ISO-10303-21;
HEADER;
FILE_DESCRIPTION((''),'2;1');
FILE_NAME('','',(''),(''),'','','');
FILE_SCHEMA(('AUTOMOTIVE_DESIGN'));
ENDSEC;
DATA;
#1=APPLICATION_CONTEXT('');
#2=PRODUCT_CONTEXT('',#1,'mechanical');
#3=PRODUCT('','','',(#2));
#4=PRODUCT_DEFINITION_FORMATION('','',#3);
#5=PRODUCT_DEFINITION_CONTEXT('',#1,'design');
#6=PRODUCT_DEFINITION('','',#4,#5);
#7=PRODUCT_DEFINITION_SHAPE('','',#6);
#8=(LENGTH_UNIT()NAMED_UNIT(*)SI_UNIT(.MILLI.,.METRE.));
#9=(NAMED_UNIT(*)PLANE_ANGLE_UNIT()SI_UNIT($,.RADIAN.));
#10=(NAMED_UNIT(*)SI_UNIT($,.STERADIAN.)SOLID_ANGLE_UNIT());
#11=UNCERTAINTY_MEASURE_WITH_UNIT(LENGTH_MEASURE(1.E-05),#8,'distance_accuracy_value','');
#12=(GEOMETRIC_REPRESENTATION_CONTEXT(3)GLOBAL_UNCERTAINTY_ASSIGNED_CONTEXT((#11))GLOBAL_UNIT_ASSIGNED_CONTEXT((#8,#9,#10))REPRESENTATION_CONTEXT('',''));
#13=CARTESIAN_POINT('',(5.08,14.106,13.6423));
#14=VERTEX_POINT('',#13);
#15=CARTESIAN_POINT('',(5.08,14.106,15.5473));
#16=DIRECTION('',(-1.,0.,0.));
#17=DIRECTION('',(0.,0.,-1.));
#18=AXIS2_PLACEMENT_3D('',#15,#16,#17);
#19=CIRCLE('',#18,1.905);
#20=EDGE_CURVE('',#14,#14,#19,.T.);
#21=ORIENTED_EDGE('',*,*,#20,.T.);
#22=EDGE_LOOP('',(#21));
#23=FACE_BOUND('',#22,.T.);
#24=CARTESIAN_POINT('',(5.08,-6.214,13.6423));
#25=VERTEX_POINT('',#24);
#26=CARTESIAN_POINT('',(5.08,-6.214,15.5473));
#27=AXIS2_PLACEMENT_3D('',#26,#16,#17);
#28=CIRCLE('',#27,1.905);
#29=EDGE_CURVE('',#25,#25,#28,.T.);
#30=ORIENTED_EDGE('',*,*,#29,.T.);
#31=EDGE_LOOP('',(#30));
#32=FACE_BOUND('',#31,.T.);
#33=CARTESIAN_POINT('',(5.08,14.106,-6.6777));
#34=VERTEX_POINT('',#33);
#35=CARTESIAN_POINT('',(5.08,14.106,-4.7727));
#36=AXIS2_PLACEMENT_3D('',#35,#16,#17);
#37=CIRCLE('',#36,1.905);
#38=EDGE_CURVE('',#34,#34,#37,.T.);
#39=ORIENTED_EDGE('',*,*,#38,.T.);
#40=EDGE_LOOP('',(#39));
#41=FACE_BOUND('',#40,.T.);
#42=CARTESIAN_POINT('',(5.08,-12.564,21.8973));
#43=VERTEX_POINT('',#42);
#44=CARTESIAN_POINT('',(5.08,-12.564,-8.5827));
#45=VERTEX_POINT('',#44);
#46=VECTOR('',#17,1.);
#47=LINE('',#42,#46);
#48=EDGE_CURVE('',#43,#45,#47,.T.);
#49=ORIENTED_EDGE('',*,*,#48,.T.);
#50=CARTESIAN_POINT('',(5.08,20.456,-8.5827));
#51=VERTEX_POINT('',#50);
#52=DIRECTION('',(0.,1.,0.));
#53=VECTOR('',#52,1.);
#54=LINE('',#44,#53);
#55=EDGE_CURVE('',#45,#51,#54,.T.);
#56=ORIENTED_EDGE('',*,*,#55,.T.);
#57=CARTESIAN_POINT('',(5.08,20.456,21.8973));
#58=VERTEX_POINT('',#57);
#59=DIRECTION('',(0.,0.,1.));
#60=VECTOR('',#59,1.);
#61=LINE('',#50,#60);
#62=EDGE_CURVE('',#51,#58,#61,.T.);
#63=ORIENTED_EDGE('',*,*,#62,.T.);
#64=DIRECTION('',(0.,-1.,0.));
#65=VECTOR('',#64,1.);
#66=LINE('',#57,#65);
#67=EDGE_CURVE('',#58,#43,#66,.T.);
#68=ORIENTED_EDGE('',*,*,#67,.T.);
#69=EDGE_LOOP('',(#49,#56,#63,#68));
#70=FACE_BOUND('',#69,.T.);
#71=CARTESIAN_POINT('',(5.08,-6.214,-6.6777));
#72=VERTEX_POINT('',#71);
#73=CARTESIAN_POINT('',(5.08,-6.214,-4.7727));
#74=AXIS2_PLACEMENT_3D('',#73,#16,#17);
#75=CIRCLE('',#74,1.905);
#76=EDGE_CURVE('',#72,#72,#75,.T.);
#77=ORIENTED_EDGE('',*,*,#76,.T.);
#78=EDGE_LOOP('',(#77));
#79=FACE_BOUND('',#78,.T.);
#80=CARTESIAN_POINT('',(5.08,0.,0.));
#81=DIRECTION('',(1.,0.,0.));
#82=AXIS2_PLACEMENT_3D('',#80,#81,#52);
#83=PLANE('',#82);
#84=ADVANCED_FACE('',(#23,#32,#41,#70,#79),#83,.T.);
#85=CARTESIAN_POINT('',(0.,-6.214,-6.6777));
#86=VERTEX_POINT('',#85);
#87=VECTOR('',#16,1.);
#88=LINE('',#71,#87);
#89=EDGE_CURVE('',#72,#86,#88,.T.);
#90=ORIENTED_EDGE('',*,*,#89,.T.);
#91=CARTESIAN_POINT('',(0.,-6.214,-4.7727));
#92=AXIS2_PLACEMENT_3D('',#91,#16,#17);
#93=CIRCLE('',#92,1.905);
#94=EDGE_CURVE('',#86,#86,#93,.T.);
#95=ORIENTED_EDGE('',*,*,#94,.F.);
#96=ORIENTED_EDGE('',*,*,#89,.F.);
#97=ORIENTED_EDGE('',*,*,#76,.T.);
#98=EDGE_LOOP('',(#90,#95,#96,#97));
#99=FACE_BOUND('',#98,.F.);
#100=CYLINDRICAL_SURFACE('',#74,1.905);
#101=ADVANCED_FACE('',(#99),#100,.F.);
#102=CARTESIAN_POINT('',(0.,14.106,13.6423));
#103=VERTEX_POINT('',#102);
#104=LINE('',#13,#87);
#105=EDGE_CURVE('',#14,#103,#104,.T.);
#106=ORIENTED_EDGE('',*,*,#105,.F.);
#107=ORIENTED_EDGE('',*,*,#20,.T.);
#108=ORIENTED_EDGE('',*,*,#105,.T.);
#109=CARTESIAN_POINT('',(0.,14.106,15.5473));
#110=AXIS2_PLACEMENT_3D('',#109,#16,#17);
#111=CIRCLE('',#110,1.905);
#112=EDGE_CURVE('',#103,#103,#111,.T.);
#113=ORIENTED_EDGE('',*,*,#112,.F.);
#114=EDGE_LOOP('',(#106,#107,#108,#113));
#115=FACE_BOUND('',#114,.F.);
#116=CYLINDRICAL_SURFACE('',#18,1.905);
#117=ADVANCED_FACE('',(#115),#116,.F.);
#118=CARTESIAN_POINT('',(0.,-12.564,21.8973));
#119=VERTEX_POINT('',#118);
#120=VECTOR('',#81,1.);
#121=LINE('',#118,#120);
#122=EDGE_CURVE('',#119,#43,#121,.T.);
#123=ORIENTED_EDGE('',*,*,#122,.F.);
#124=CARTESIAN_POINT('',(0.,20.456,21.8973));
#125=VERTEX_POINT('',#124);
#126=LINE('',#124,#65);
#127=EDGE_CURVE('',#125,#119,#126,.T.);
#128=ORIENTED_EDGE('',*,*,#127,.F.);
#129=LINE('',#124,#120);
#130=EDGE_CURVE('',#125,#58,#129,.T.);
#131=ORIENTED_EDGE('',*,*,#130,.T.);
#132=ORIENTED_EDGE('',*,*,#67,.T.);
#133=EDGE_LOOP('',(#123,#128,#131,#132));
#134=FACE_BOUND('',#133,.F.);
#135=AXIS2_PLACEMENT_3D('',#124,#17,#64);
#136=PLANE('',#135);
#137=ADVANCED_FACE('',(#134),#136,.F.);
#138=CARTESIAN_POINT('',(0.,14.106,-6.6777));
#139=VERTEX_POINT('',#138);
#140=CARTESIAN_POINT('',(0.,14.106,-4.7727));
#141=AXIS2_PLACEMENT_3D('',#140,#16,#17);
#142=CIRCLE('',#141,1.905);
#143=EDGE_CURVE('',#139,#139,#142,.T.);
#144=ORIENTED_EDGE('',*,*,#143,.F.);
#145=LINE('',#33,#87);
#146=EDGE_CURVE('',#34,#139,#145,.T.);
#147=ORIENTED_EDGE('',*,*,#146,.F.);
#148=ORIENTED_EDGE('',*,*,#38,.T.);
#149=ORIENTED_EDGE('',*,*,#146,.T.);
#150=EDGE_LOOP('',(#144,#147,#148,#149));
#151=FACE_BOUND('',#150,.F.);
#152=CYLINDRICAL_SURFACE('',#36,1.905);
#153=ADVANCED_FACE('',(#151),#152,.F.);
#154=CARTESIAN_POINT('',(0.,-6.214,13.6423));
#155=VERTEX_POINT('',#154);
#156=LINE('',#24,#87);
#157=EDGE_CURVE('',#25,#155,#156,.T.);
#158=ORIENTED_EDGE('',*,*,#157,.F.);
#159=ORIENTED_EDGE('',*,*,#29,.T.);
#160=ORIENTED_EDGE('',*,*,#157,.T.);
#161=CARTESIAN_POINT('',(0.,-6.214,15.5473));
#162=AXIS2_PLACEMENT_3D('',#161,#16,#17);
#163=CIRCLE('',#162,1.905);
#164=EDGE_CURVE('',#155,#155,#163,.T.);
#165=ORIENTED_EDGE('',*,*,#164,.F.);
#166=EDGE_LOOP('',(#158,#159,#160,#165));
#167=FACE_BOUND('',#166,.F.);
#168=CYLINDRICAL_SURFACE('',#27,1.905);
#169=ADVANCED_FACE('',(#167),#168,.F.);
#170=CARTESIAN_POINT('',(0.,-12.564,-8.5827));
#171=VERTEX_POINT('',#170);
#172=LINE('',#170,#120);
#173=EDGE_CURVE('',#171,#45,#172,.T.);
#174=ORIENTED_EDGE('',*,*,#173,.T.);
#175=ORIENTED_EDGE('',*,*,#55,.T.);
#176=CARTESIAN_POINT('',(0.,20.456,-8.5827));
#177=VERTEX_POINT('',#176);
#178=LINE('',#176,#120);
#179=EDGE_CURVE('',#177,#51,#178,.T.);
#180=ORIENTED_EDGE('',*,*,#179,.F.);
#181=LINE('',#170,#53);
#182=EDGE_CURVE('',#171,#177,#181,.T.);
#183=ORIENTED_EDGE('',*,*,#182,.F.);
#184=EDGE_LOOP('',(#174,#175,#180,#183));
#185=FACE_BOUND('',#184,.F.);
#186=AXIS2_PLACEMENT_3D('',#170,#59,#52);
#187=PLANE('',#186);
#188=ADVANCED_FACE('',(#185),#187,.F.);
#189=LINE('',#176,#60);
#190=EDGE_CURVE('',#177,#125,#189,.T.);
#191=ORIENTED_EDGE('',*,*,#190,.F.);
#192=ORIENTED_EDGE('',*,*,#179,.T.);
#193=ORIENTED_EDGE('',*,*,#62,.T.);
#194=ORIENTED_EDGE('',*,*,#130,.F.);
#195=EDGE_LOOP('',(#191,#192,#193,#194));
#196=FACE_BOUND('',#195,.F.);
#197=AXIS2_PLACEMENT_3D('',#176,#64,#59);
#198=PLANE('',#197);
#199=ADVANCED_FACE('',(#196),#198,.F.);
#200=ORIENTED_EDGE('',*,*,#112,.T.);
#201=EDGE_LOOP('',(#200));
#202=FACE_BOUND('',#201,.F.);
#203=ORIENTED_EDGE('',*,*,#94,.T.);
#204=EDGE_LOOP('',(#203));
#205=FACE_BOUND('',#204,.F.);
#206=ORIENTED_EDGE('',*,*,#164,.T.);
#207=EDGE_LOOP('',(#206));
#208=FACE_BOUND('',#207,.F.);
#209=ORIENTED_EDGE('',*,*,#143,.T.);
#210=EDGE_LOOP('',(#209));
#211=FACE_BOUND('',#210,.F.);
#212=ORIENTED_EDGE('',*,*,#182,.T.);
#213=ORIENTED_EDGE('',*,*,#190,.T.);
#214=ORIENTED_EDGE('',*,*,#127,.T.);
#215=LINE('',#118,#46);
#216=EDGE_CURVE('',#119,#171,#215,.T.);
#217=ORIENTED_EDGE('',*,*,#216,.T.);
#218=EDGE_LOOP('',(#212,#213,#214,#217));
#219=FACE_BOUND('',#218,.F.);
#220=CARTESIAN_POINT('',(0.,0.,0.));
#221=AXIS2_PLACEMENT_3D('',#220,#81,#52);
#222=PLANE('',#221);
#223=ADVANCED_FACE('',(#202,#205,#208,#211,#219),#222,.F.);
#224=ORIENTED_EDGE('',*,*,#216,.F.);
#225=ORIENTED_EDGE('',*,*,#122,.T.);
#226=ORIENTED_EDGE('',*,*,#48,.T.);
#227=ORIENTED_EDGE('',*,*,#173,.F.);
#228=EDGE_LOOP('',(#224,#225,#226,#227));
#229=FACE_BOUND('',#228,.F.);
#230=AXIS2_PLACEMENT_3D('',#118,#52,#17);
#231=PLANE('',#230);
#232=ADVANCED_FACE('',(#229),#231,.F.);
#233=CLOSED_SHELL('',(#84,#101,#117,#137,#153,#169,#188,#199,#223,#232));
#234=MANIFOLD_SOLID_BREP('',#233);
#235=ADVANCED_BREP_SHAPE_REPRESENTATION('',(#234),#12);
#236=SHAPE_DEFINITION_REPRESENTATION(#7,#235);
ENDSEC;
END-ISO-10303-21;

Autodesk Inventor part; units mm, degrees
ref_plane "YZ Plane" through (0, 0, 0) normal (1, 0, 0) x (0, 1, 0)
ref_plane "XZ Plane" through (0, 0, 0) normal (0, 1, 0) x (-1, 0, 0)
ref_plane "XY Plane" through (0, 0, 0) normal (0, 0, 1) x (1, 0, 0)
sketch "Sketch1" plane through (0, 0, 0) normal (1, 0, 0) x (0, 1, 0)
  line L0 (-12.564, -8.5827) -> (20.456, -8.5827)
  line L1 (20.456, -8.5827) -> (20.456, 21.8973)
  line L2 (20.456, 21.8973) -> (-12.564, 21.8973)
  line L3 (-12.564, 21.8973) -> (-12.564, -8.5827)
  point P0 (0, 0)
  dimension "d0" = 30.48
  dimension "d1" = 33.02
extrude "Extrusion1" add sketch "Sketch1" along normal blind 5.08
sketch "Sketch2" plane through (5.08, 0, 0) normal (1, 0, 0) x (0, 0, -1)
  line L0 (8.5827, -12.564) -> (8.5827, 20.456) projected
  line L1 (-21.8973, -12.564) -> (8.5827, -12.564) projected
  line L2 (8.5827, 20.456) -> (-21.8973, 20.456) projected
  line L3 (-21.8973, 20.456) -> (-21.8973, -12.564) projected
  point P0 (0, 0)
  point P1 (4.7727, 14.106)
  point P2 (-15.5473, 14.106)
  point P3 (-15.5473, -6.214)
  point P4 (4.7727, -6.214)
  dimension "d4" = 3.81
  dimension "d5" = 3.81
  dimension "d6" = 6.35
  dimension "d7" = 6.35
  dimension "d8" = 6.35
  dimension "d9" = 6.35
  dimension "d10" = 6.35
  dimension "d11" = 6.35
hole "Hole1" at (5.08, 14.106, -4.7727) at (5.08, 14.106, 15.5473) at (5.08, -6.214, 15.5473) at (5.08, -6.214, -4.7727) direction (-1, 0, 0) diameter 3.81 depth 10.9728 tip angle 118.188 clearance for "Flat Head Machine Screw (82)" size "#6" standard "Ansi Unified Screw Threads"
properties part number "cLIMPpLATE"
